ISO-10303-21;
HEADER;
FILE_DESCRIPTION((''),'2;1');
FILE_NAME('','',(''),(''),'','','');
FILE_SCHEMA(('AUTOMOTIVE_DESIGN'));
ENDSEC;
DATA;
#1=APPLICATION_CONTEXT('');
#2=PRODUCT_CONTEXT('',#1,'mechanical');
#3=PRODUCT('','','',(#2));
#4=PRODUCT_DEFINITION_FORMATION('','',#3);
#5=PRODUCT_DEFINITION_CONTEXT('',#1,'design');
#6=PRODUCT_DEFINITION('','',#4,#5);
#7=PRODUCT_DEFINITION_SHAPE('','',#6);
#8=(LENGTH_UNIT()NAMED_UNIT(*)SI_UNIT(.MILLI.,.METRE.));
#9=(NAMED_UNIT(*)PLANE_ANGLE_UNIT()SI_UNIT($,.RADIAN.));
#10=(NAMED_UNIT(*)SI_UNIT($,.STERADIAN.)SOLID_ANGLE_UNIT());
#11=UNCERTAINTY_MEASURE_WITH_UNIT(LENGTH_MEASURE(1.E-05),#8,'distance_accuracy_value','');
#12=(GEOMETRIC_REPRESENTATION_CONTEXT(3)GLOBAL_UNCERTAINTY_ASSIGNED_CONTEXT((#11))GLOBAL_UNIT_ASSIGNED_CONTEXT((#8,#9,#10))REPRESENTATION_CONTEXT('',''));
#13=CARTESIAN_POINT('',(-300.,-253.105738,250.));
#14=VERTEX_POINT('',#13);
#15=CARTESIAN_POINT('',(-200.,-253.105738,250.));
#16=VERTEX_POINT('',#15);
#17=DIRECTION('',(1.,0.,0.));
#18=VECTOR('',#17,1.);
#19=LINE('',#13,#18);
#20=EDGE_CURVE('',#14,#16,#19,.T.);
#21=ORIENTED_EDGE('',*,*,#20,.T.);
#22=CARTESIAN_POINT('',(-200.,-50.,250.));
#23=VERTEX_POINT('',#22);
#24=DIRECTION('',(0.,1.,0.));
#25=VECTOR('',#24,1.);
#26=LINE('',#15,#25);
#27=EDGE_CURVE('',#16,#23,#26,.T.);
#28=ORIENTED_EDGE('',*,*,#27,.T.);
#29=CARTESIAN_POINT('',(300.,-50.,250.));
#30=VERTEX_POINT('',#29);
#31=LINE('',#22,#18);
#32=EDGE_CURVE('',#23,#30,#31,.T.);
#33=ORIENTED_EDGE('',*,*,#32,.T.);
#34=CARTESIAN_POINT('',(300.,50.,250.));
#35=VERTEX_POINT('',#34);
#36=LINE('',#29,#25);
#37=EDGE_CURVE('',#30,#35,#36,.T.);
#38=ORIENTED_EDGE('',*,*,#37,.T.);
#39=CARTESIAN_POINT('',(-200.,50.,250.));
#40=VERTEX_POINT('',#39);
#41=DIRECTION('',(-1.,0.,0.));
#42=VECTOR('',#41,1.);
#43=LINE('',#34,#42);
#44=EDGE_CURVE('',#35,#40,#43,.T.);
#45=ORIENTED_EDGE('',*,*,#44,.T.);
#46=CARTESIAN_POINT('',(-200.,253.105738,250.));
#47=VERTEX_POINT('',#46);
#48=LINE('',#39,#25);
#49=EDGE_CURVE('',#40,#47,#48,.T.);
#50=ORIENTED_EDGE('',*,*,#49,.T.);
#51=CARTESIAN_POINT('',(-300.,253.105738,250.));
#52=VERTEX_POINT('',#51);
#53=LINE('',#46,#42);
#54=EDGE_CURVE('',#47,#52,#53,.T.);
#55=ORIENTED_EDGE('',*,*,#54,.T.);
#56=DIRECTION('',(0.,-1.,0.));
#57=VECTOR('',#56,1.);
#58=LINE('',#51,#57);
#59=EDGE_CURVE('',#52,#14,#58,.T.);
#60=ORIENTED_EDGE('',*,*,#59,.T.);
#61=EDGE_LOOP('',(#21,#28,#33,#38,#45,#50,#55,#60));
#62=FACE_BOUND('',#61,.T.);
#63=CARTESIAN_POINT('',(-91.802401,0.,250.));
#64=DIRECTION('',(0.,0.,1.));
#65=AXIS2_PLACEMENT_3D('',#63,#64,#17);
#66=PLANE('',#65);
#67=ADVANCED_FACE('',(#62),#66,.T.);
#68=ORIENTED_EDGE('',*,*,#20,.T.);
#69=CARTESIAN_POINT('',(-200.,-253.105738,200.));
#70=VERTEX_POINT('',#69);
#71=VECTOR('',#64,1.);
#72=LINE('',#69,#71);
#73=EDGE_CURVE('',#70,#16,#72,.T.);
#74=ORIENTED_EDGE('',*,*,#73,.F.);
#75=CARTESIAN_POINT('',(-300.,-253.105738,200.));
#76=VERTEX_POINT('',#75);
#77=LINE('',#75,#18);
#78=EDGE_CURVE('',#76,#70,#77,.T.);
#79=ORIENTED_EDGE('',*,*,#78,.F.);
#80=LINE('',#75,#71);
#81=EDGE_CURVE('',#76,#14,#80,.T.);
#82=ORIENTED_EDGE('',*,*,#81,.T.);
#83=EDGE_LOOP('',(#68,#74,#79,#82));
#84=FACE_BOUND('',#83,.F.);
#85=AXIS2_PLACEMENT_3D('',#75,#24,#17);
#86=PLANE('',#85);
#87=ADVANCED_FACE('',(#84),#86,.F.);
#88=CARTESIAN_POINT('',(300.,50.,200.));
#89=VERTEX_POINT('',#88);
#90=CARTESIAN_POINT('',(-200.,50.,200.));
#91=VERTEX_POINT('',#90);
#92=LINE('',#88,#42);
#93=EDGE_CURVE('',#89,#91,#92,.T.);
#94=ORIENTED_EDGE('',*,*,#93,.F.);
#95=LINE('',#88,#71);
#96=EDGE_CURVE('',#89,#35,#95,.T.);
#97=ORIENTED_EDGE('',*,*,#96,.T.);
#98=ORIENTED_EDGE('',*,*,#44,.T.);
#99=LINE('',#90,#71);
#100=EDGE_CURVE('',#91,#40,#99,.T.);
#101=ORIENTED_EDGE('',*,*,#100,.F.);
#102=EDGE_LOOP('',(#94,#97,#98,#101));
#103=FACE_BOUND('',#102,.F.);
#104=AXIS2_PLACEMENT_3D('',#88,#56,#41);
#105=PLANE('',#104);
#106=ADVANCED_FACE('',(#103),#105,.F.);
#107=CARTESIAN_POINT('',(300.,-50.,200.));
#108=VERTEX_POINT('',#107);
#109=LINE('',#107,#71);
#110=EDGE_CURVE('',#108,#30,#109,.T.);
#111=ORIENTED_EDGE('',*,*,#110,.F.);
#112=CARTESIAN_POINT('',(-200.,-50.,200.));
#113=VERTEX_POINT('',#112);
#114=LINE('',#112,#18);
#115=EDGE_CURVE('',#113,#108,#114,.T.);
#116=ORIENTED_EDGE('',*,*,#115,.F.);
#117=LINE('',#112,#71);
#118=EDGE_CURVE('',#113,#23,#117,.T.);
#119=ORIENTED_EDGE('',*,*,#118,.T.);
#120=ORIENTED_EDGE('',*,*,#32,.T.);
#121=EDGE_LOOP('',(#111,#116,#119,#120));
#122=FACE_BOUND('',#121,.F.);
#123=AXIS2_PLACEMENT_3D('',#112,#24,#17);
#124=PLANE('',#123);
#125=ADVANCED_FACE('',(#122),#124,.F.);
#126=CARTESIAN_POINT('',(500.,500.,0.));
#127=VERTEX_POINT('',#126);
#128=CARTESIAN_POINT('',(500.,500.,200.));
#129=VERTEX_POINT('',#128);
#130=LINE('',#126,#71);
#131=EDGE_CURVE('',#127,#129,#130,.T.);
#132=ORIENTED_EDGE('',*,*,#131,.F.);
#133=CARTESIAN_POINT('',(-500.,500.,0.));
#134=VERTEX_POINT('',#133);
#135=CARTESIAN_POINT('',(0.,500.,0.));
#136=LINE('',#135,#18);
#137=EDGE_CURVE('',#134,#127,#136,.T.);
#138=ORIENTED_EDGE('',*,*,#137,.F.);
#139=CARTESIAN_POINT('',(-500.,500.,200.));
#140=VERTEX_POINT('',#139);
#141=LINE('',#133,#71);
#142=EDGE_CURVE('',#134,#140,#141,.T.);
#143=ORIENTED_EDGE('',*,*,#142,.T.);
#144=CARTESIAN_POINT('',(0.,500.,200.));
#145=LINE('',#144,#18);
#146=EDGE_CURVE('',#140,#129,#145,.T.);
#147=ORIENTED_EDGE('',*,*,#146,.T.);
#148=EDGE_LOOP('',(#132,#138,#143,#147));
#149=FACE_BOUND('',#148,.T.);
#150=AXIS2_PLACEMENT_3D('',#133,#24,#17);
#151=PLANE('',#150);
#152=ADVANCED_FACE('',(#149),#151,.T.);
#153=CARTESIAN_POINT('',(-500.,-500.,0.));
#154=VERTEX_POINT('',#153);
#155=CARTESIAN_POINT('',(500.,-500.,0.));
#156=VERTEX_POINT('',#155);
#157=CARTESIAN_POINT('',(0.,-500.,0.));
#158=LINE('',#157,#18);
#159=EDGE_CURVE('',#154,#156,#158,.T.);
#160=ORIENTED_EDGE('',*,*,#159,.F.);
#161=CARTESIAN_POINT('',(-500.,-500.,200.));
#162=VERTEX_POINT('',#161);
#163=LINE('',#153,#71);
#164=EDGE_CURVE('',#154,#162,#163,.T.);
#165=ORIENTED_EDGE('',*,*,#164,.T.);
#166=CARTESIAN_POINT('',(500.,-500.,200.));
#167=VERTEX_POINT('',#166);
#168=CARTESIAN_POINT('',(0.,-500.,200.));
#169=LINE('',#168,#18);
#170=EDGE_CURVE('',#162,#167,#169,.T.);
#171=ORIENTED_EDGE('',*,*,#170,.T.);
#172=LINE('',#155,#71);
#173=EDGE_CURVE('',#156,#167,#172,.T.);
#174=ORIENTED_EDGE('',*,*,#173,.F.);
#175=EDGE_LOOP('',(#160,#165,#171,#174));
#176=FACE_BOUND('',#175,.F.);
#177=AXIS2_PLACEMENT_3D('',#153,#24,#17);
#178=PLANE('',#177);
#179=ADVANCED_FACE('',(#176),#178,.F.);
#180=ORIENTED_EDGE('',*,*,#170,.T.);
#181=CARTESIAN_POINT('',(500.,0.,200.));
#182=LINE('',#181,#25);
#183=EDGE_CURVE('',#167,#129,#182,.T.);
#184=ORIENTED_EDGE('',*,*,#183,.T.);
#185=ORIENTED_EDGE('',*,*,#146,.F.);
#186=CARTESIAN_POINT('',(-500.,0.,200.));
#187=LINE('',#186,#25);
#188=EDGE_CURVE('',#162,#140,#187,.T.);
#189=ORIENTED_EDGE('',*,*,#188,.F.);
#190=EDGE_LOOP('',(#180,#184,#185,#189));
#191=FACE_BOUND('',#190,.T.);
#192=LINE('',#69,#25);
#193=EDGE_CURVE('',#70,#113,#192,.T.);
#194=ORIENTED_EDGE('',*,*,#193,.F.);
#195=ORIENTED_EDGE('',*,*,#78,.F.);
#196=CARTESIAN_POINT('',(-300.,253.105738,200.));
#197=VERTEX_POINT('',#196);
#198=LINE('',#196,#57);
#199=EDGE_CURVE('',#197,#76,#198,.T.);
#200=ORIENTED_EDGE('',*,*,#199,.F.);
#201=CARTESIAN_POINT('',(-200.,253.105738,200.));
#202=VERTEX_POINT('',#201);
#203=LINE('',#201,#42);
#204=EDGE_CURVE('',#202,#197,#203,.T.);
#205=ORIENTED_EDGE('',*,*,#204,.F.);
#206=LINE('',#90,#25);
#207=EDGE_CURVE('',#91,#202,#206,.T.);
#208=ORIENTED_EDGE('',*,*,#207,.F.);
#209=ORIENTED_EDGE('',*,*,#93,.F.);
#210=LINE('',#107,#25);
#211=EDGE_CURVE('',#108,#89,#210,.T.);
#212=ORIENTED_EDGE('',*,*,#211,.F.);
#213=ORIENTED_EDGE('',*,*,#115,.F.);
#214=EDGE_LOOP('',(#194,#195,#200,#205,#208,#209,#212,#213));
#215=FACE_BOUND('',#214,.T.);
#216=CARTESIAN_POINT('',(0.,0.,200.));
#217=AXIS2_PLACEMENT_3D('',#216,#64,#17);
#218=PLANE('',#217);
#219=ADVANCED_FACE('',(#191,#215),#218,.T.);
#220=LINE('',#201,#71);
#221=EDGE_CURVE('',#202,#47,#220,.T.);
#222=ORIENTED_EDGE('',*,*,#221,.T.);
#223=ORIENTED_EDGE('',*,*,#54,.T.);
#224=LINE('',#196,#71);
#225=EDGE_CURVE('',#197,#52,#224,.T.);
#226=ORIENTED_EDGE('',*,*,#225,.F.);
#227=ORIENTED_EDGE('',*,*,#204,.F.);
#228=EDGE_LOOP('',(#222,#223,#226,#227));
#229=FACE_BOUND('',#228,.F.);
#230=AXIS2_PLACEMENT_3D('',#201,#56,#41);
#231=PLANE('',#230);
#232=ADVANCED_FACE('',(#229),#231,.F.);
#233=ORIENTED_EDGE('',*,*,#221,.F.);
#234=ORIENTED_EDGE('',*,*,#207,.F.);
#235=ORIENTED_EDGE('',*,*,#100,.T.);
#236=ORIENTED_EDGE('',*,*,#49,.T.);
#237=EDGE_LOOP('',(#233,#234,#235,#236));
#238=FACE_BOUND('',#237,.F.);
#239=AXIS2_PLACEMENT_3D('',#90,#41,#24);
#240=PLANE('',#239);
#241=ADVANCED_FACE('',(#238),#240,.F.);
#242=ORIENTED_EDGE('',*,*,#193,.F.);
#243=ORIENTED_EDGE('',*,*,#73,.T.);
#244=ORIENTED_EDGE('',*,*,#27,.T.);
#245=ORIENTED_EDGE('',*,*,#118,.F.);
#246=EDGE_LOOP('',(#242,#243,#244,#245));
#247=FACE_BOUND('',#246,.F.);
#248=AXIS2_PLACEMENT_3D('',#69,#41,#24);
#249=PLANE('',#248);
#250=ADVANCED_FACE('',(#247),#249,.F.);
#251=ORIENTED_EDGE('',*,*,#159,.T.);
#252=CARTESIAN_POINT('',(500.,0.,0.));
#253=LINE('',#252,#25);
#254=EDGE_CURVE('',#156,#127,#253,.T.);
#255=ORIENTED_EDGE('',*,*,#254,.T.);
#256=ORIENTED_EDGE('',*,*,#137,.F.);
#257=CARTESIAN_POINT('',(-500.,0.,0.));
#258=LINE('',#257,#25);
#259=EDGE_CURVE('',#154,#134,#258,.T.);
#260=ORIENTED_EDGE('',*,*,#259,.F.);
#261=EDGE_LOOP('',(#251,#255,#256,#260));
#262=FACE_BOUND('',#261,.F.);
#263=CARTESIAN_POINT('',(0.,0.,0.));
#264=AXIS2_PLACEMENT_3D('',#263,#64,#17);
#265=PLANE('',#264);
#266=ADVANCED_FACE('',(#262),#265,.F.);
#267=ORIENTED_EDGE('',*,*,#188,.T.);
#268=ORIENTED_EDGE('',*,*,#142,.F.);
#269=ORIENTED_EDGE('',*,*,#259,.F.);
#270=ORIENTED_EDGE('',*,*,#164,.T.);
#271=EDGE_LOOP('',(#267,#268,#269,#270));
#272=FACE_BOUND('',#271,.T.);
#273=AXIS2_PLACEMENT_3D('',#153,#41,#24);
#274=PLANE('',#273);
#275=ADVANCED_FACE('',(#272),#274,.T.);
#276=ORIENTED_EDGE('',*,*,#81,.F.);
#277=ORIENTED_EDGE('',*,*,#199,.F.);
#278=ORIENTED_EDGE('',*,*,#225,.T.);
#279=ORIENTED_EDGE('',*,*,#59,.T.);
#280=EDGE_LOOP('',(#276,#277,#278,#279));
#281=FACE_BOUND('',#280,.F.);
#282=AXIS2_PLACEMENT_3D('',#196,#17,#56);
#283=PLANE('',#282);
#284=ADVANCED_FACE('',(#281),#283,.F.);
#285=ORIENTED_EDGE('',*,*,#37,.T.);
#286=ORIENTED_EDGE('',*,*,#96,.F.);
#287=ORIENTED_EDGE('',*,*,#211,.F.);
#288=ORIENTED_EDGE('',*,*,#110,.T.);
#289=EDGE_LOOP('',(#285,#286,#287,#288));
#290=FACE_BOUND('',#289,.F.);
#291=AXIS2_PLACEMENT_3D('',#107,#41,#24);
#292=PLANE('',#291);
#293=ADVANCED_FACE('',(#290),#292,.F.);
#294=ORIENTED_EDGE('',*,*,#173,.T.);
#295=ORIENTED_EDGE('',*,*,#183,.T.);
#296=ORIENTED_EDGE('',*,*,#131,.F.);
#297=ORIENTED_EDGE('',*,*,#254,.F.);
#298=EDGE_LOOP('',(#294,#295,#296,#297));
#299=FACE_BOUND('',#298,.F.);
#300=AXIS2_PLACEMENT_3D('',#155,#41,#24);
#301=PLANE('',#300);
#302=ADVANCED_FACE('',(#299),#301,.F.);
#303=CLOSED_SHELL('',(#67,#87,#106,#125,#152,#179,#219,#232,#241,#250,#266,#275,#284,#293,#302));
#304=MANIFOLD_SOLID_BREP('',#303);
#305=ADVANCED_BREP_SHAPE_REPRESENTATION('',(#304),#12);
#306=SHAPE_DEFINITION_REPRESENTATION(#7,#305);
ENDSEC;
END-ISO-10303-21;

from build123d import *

# Parameters (mm, degrees)
SKETCH_W     = 1000
SKETCH_H     = 1000
PAD_DEPTH    = 200
PAD001_DEPTH = 50


with BuildPart() as part:
    # Sketch → Pad (new body)
    with BuildSketch(Plane.XY):
        Rectangle(SKETCH_W, SKETCH_H)
    extrude(amount=PAD_DEPTH)

    # Sketch001 → Pad001 (new body)
    with BuildSketch(Plane.XY.offset(200)):
        Polygon((-300, 253.105738), (-300, -253.105738), (-200, -253.105738), (-200, -50), (300, -50), (300, 50), (-200, 50), (-200, 253.105738), align=None)
    extrude(amount=PAD001_DEPTH)


solid = part.part
